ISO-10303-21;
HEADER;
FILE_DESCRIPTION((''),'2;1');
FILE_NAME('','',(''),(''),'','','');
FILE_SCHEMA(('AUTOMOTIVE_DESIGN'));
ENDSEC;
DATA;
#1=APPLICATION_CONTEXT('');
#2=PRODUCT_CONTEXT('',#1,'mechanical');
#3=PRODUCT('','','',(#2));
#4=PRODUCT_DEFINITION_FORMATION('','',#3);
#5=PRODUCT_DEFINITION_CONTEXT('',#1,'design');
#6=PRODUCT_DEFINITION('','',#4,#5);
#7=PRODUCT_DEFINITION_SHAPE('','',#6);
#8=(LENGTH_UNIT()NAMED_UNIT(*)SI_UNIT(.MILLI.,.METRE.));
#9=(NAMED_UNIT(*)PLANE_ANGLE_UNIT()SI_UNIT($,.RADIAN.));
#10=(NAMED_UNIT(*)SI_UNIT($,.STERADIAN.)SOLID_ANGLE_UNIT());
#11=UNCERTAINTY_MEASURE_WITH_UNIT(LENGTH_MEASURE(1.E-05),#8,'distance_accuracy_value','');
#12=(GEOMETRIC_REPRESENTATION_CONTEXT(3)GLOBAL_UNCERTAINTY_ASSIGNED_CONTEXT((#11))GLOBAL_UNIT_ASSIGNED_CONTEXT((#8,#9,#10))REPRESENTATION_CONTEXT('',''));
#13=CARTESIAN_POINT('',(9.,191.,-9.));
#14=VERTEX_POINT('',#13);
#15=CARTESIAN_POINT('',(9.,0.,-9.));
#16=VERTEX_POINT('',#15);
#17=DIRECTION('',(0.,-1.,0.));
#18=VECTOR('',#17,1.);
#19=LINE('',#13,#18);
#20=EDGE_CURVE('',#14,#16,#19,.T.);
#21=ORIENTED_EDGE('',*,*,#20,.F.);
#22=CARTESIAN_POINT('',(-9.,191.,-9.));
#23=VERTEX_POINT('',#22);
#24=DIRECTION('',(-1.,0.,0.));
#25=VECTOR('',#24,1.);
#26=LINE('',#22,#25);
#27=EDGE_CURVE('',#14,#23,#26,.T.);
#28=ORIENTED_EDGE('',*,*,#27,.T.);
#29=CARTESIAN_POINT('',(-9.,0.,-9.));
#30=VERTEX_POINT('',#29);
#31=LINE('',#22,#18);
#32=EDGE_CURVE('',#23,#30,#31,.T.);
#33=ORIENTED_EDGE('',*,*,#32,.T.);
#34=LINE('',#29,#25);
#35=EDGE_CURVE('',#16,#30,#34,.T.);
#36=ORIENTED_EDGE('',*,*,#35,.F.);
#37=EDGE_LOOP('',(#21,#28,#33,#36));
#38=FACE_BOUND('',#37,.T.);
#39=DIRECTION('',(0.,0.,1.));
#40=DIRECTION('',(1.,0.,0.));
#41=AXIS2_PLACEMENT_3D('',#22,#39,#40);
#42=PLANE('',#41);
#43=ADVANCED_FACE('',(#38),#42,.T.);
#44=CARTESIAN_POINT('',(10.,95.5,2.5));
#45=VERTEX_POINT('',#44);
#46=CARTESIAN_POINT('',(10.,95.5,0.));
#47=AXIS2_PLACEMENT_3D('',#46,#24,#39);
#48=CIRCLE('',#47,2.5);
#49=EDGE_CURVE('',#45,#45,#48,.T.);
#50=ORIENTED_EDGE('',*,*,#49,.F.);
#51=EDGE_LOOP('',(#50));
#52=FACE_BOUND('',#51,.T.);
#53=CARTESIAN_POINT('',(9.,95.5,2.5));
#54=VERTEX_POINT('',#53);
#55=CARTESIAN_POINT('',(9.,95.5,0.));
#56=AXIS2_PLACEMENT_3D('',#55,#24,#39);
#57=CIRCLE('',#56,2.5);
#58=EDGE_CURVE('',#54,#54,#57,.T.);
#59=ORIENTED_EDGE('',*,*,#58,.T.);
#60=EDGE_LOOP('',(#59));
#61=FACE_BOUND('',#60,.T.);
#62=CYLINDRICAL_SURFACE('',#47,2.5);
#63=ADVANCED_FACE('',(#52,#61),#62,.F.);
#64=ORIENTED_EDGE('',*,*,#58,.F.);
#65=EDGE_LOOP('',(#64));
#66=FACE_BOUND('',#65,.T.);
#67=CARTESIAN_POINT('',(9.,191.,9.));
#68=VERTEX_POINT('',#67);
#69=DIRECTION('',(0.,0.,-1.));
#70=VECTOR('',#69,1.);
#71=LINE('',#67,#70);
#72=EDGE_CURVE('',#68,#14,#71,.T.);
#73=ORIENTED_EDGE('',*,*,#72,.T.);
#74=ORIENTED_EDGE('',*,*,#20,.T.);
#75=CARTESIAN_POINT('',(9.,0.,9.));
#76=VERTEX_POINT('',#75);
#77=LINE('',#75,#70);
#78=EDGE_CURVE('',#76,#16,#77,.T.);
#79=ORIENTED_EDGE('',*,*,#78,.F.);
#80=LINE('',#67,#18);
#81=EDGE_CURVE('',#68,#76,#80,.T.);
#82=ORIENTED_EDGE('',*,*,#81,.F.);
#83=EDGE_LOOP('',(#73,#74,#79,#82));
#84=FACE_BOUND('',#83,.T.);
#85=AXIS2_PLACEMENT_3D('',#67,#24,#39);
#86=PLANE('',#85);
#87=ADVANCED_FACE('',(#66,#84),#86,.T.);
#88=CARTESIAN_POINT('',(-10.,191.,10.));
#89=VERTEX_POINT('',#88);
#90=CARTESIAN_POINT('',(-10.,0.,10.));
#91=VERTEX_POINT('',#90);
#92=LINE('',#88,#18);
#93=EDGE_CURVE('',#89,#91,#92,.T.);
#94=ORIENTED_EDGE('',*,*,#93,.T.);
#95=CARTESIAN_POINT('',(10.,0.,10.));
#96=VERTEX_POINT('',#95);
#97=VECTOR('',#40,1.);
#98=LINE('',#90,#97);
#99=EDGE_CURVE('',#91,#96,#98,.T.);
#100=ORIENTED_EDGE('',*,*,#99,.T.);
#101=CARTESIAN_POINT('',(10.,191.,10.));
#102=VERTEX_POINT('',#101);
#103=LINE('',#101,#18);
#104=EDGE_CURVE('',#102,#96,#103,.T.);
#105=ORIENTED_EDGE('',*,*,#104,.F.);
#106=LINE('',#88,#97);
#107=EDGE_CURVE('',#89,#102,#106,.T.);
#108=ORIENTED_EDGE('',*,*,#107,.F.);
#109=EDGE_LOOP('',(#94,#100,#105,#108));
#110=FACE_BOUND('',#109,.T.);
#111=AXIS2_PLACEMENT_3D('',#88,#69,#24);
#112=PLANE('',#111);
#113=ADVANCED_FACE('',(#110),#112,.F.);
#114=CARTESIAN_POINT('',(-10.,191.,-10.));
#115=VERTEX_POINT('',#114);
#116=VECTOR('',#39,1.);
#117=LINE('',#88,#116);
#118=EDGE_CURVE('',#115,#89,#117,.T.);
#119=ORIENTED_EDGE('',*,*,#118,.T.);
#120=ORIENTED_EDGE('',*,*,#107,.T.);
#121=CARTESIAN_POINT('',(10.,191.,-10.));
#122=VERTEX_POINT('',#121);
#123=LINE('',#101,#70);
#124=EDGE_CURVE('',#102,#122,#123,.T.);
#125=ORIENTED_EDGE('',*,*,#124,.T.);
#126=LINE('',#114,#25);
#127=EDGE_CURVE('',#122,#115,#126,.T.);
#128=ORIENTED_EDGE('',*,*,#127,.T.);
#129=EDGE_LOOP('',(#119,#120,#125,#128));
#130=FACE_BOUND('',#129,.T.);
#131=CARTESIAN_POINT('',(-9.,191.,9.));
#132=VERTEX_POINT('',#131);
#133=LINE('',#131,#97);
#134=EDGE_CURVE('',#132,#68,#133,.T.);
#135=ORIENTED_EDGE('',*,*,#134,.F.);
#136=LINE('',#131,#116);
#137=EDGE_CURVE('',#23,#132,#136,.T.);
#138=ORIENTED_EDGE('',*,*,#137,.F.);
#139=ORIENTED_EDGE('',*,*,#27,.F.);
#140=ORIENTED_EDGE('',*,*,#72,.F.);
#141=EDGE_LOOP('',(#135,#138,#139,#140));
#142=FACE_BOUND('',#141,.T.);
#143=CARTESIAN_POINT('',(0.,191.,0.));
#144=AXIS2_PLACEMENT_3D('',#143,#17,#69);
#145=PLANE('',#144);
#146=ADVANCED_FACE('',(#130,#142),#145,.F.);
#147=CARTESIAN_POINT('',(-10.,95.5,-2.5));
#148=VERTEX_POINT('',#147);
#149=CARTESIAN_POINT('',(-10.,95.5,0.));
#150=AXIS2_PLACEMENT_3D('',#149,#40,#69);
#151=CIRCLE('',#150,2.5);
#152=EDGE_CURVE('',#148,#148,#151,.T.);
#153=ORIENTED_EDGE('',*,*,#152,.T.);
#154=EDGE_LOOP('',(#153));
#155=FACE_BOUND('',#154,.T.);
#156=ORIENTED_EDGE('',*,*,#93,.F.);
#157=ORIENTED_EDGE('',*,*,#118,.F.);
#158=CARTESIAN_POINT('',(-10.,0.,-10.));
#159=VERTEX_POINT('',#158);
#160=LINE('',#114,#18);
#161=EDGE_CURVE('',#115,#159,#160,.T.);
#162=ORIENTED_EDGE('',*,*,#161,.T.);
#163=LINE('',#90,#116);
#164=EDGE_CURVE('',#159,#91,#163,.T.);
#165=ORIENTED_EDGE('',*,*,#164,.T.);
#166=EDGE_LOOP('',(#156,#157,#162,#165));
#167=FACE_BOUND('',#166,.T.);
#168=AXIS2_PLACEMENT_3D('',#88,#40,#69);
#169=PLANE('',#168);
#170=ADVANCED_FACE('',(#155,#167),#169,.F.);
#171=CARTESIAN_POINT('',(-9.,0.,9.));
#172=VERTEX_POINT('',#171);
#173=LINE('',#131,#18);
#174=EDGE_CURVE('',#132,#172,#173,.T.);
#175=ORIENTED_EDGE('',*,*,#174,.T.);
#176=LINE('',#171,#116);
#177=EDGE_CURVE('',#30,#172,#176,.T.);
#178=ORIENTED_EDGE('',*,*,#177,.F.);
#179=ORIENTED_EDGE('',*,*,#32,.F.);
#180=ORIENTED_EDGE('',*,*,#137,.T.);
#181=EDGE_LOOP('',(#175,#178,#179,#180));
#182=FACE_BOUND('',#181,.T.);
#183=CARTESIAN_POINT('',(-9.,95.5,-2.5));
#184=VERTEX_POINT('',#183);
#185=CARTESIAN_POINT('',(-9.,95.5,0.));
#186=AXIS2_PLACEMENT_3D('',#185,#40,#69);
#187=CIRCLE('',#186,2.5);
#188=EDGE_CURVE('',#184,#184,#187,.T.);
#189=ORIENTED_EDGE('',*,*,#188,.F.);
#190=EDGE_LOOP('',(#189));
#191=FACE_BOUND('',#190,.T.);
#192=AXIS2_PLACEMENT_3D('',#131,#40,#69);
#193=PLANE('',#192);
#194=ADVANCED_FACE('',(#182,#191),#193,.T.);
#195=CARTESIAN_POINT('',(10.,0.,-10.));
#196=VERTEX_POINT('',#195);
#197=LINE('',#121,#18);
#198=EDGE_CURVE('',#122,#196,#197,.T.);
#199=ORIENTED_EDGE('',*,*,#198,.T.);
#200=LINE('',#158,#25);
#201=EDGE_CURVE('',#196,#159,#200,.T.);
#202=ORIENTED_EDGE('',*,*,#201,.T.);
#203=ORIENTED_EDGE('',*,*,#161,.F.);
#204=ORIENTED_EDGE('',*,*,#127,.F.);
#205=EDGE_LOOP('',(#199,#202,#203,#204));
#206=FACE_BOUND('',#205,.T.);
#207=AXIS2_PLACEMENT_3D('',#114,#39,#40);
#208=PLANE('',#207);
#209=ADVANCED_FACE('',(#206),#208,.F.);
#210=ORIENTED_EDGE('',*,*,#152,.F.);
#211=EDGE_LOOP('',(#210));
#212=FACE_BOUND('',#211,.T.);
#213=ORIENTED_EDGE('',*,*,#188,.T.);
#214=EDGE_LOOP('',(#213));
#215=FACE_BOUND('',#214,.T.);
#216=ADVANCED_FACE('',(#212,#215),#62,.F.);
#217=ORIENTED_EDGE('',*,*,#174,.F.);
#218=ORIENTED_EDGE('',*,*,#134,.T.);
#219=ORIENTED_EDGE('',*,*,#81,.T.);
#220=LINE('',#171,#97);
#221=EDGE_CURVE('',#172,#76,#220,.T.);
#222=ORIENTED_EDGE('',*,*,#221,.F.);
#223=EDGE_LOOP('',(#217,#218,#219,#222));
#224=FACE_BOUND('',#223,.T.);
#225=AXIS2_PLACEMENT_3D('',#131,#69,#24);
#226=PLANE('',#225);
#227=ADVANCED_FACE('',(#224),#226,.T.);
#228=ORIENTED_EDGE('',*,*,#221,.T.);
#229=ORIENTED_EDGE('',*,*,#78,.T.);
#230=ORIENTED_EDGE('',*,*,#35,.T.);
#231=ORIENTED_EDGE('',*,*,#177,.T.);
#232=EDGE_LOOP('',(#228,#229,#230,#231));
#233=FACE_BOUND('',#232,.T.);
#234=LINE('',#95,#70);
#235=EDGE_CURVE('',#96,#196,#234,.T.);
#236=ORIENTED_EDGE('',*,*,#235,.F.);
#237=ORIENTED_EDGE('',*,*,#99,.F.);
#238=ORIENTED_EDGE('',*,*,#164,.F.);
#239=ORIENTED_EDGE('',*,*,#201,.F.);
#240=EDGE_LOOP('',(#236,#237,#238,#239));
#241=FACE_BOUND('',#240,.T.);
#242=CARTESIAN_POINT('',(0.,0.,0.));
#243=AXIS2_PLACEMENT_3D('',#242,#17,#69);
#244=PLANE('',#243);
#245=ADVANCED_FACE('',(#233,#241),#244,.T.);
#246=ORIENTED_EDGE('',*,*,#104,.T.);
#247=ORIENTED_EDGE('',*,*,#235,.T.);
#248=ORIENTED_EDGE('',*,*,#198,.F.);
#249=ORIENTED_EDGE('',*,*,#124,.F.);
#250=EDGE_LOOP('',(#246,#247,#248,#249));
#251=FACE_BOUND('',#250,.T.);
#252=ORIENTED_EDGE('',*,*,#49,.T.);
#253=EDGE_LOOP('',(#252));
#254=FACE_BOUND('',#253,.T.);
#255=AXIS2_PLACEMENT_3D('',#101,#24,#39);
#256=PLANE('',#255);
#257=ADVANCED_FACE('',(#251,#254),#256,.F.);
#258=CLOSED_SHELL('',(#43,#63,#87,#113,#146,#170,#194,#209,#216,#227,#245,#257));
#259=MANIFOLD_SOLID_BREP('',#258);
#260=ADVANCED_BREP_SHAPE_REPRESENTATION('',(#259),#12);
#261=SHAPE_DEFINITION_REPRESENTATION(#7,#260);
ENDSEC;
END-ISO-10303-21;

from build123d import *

# Parameters (mm, degrees)
SKETCH1_W               = 20
SKETCH1_H               = 20
SKETCH1_W_2             = 18
SKETCH1_H_2             = 18
BOSS_EXTRUDE1_DEPTH     = 191
CUT_EXTRUDE1_DEPTH      = 193.304446126
CUT_EXTRUDE1_DEPTH_BACK = 193.304446126
SKETCH2_R               = 2.5


with BuildPart() as part:
    # Sketch1 → Boss-Extrude1 (new body)
    with BuildSketch(Plane(origin=(0, 0, 0), x_dir=(1, 0, 0), z_dir=(0, 1, 0))):
        Rectangle(SKETCH1_W, SKETCH1_H)
        Rectangle(SKETCH1_W_2, SKETCH1_H_2, mode=Mode.SUBTRACT)
    extrude(amount=BOSS_EXTRUDE1_DEPTH)

    # Sketch2 → Cut-Extrude1 (cut, two sides: drawn at the far end of the back side and taken through both)
    with BuildSketch(Plane.ZY.offset(10).offset(-CUT_EXTRUDE1_DEPTH_BACK)):
        with Locations(Location((0, 95.5, 0), (0, 0, 180))):
            Circle(SKETCH2_R)
    extrude(amount=CUT_EXTRUDE1_DEPTH + CUT_EXTRUDE1_DEPTH_BACK, mode=Mode.SUBTRACT)


solid = part.part
